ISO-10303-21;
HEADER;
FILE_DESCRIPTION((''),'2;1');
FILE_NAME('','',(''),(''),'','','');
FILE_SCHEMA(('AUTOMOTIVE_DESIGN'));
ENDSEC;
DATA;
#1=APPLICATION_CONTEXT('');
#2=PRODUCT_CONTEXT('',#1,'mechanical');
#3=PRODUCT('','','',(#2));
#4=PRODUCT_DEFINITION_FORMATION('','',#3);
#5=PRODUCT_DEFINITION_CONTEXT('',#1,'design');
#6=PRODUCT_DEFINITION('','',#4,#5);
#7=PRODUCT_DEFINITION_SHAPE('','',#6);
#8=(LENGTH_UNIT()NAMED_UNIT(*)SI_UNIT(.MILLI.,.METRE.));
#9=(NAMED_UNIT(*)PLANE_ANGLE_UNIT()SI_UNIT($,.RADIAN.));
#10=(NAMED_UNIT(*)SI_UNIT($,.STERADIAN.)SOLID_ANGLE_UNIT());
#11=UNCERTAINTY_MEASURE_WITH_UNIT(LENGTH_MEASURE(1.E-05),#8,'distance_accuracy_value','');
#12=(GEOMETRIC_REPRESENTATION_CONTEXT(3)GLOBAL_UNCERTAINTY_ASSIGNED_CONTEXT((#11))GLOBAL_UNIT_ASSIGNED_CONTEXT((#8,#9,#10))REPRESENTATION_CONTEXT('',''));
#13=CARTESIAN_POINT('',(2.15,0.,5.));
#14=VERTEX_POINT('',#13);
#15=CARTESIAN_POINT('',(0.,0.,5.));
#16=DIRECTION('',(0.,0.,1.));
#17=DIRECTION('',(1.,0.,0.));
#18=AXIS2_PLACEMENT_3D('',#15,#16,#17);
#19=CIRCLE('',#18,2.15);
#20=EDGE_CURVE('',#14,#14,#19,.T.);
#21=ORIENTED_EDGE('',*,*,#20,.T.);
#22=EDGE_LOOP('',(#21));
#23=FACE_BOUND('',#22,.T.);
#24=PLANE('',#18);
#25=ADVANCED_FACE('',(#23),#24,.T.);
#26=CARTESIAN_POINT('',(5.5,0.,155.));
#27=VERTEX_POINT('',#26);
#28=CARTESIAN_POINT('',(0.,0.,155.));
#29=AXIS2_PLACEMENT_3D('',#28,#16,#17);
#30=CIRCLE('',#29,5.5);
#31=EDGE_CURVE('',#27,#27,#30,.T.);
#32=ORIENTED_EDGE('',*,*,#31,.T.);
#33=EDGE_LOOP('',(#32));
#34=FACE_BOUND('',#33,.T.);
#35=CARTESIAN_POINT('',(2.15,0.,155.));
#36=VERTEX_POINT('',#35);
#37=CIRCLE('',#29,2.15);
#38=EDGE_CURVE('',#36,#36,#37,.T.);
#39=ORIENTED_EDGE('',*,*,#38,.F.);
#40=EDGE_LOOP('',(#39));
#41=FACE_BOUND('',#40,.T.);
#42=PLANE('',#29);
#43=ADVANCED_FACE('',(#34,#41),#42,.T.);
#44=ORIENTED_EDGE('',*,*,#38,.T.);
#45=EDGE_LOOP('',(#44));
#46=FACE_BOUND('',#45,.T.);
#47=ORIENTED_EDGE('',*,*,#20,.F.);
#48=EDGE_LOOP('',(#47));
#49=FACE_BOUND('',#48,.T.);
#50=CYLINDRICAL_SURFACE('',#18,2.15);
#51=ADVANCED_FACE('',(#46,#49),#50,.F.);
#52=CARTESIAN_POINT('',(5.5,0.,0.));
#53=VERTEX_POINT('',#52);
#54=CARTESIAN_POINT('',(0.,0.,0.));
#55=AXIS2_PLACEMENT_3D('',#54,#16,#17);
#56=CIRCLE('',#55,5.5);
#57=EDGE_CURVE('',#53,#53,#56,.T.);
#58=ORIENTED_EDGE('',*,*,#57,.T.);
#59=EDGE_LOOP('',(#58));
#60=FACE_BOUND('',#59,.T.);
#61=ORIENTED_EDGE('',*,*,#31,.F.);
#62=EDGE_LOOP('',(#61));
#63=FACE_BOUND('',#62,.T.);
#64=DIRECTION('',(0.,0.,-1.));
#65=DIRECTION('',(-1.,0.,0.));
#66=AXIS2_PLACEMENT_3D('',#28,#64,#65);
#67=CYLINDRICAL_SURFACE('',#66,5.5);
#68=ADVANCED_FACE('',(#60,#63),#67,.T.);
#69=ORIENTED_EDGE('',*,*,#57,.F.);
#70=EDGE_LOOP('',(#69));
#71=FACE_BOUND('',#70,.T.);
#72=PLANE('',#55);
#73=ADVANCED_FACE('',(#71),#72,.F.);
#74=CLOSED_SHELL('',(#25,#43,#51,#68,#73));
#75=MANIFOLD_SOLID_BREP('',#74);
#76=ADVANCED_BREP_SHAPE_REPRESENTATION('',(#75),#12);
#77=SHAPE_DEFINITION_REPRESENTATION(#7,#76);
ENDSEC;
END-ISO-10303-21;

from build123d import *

# Parameters (mm, degrees)
SKETCH1_R           = 5.5
BOSS_EXTRUDE1_DEPTH = 155
SKETCH2_R           = 2.15
CUT_EXTRUDE1_DEPTH  = 150


with BuildPart() as part:
    # Sketch1 → Boss-Extrude1 (new body)
    with BuildSketch(Plane.XY):
        Circle(SKETCH1_R)
    extrude(amount=BOSS_EXTRUDE1_DEPTH)

    # Sketch2 → Cut-Extrude1 (cut)
    with BuildSketch(Plane.XY.offset(155)):
        Circle(SKETCH2_R)
    extrude(amount=-CUT_EXTRUDE1_DEPTH, mode=Mode.SUBTRACT)


solid = part.part
